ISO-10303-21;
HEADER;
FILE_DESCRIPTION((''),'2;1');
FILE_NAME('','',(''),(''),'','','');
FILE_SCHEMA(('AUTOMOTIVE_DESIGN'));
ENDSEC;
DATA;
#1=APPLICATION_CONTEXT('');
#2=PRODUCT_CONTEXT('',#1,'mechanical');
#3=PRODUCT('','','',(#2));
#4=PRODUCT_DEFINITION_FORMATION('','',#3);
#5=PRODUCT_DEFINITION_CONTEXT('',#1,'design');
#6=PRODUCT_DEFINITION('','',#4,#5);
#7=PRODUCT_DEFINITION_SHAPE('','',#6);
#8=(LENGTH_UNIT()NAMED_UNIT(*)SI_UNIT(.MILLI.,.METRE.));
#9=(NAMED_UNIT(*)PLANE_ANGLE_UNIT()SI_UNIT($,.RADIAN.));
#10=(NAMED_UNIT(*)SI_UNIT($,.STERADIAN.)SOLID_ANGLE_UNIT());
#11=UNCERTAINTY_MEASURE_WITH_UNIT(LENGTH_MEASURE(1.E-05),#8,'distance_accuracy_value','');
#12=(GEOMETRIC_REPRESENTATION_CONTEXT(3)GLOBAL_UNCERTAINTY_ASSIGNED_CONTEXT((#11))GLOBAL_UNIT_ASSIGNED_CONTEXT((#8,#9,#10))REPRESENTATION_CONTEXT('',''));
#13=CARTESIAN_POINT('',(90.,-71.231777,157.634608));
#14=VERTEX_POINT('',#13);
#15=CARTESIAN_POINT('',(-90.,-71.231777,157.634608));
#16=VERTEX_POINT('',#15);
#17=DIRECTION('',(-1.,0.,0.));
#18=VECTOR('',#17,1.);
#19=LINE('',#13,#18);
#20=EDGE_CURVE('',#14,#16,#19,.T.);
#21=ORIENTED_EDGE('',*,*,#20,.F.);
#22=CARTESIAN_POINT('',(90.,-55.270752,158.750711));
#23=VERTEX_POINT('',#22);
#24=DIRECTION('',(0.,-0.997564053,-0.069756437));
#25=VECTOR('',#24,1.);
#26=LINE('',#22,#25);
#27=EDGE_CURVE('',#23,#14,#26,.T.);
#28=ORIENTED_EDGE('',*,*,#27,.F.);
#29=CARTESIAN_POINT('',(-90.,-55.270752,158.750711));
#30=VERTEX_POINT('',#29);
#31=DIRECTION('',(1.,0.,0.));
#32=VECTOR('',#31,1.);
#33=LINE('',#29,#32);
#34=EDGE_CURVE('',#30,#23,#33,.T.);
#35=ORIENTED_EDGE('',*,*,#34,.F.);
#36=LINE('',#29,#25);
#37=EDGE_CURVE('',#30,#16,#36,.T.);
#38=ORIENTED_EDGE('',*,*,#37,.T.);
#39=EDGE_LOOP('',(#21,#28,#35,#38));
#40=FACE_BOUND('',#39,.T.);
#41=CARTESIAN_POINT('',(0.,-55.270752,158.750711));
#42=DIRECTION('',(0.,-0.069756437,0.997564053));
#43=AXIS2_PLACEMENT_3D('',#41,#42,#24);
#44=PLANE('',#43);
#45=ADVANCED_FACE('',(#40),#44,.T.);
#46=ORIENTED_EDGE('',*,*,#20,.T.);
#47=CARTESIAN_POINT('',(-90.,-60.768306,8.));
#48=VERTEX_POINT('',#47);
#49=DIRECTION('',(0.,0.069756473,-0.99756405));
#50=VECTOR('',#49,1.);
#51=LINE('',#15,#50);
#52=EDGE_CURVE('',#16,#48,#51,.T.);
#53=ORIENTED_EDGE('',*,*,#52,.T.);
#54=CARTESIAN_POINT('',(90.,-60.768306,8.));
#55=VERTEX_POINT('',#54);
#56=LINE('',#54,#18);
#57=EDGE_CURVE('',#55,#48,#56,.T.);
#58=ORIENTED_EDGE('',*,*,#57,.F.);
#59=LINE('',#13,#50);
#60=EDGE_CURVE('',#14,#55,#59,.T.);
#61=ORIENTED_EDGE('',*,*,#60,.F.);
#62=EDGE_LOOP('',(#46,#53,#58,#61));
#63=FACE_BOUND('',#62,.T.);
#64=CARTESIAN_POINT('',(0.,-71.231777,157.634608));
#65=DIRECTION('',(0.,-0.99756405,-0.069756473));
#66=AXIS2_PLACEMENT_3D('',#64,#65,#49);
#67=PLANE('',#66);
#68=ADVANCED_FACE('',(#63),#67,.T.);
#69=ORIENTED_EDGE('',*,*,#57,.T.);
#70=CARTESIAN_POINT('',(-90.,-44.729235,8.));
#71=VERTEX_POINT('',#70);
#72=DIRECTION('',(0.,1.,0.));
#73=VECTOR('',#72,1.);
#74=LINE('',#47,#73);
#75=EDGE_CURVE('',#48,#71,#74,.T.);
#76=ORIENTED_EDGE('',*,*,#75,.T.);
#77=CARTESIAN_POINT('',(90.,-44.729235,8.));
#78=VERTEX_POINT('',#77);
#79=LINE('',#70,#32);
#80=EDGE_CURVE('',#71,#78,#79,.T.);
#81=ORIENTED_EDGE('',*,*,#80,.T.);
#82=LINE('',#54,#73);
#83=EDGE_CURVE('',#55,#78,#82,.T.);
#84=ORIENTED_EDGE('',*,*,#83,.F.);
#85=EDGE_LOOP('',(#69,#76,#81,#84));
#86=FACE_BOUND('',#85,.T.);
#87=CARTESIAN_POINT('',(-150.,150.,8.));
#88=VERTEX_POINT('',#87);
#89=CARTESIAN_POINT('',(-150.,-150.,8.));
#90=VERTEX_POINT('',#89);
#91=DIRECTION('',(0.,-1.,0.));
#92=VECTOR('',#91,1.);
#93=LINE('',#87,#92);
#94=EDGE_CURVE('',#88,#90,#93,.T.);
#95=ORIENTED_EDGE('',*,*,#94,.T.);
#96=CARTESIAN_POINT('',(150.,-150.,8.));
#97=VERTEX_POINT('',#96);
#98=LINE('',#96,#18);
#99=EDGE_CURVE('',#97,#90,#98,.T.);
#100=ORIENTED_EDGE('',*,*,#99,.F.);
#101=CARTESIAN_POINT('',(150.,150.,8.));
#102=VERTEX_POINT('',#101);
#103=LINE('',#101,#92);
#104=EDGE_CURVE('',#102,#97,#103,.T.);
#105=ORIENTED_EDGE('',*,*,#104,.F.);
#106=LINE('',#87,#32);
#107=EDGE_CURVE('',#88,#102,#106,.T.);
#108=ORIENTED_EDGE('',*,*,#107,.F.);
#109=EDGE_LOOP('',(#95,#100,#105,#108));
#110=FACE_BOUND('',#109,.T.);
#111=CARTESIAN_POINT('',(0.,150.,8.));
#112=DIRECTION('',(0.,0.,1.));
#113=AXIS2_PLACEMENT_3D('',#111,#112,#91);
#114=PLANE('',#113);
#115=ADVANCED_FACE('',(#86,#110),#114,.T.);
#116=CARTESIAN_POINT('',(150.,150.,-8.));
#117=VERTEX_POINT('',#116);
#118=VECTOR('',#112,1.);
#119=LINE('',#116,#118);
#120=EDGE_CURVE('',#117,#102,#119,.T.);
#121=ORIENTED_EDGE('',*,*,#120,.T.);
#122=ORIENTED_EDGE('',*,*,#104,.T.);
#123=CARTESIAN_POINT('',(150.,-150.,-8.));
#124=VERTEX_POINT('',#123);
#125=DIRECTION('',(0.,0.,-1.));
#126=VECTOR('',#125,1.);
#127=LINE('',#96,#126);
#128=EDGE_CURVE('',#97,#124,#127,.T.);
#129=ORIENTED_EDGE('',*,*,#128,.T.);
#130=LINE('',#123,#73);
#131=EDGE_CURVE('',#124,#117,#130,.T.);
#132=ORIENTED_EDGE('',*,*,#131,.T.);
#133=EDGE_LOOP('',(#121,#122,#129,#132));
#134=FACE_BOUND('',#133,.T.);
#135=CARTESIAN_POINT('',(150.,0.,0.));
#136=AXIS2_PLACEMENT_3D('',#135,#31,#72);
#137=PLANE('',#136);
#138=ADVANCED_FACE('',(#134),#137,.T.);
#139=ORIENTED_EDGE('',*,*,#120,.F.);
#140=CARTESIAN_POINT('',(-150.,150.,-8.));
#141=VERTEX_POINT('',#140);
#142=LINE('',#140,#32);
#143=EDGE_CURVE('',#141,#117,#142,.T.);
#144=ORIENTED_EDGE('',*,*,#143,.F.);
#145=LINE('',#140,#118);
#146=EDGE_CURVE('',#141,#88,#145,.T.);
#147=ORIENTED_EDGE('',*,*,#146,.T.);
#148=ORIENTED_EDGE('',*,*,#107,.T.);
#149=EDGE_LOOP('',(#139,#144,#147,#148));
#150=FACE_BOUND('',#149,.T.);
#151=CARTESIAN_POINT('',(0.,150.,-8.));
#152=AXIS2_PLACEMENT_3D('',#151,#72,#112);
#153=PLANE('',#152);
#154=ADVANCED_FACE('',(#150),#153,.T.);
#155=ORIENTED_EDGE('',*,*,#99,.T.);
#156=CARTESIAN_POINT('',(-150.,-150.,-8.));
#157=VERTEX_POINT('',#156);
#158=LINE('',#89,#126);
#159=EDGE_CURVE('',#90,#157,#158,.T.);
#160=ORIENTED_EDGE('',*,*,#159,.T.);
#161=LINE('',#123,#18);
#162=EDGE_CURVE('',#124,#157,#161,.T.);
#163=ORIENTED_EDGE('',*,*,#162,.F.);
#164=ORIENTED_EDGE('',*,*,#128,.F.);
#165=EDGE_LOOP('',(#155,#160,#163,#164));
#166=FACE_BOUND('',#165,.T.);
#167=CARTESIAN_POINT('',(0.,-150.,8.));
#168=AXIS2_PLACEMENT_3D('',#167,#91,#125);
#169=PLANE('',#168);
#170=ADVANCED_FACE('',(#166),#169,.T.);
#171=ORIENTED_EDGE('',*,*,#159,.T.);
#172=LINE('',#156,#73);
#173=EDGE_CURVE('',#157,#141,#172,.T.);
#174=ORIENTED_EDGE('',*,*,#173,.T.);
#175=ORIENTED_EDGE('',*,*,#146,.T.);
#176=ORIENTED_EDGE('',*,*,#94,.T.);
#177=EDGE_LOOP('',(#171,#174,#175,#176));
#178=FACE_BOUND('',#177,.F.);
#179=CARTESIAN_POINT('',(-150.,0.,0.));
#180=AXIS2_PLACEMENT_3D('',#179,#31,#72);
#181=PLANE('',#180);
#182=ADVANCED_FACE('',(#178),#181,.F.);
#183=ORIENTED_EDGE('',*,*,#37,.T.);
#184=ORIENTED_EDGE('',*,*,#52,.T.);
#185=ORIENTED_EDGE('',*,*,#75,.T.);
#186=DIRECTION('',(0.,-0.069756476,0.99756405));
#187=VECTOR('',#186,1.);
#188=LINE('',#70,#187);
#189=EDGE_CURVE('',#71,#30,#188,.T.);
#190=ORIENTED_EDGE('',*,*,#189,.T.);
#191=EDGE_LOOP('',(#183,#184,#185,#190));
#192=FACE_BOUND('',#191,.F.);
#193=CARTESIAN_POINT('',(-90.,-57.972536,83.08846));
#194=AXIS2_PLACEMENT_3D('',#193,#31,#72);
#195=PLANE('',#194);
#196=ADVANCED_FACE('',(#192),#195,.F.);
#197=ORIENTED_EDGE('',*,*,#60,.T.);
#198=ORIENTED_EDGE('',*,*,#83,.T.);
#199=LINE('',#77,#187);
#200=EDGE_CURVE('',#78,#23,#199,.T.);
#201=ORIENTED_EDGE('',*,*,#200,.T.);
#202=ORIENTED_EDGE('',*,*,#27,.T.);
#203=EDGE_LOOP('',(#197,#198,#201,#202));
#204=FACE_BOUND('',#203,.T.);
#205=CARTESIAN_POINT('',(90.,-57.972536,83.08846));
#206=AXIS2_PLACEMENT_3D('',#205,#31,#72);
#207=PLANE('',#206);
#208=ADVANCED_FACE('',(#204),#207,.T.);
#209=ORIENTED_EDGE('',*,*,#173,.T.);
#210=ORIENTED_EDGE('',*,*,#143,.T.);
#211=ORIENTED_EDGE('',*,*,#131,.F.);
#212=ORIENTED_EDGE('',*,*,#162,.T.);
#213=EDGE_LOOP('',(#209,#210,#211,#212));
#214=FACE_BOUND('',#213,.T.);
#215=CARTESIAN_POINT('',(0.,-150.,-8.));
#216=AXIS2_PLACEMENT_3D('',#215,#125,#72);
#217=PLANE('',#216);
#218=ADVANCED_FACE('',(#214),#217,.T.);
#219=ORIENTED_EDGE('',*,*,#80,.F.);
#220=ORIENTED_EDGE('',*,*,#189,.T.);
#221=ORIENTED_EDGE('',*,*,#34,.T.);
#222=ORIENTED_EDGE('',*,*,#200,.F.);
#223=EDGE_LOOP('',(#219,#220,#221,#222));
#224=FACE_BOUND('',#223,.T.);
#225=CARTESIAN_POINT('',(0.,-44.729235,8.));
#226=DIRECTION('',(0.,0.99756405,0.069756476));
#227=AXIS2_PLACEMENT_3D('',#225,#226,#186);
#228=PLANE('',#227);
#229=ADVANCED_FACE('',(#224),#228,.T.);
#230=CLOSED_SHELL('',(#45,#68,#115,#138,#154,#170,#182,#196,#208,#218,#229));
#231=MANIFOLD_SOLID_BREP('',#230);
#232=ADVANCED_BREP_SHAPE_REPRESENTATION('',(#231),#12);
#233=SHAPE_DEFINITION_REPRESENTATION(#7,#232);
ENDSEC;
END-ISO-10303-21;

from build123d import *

# Parameters (mm, degrees)
F1_DEPTH = 150
F2_DEPTH = 90


with BuildPart() as f1:
    # F0 (on Right) → F1 (new body, symmetric)
    with BuildSketch(Plane.YZ):
        Polygon((-150, -8), (150, -8), (150, 8), (-44.729235, 8), (-60.768306, 8), (-150, 8), align=None)
    extrude(amount=F1_DEPTH, both=True)

    # F0 (on Right) → F2 (join, symmetric)
    with BuildSketch(Plane.YZ):
        Polygon((-60.768306, 8), (-44.729235, 8), (-55.270752, 158.750711), (-71.231777, 157.634608), align=None)
    extrude(amount=F2_DEPTH, both=True)


solid = f1.part
